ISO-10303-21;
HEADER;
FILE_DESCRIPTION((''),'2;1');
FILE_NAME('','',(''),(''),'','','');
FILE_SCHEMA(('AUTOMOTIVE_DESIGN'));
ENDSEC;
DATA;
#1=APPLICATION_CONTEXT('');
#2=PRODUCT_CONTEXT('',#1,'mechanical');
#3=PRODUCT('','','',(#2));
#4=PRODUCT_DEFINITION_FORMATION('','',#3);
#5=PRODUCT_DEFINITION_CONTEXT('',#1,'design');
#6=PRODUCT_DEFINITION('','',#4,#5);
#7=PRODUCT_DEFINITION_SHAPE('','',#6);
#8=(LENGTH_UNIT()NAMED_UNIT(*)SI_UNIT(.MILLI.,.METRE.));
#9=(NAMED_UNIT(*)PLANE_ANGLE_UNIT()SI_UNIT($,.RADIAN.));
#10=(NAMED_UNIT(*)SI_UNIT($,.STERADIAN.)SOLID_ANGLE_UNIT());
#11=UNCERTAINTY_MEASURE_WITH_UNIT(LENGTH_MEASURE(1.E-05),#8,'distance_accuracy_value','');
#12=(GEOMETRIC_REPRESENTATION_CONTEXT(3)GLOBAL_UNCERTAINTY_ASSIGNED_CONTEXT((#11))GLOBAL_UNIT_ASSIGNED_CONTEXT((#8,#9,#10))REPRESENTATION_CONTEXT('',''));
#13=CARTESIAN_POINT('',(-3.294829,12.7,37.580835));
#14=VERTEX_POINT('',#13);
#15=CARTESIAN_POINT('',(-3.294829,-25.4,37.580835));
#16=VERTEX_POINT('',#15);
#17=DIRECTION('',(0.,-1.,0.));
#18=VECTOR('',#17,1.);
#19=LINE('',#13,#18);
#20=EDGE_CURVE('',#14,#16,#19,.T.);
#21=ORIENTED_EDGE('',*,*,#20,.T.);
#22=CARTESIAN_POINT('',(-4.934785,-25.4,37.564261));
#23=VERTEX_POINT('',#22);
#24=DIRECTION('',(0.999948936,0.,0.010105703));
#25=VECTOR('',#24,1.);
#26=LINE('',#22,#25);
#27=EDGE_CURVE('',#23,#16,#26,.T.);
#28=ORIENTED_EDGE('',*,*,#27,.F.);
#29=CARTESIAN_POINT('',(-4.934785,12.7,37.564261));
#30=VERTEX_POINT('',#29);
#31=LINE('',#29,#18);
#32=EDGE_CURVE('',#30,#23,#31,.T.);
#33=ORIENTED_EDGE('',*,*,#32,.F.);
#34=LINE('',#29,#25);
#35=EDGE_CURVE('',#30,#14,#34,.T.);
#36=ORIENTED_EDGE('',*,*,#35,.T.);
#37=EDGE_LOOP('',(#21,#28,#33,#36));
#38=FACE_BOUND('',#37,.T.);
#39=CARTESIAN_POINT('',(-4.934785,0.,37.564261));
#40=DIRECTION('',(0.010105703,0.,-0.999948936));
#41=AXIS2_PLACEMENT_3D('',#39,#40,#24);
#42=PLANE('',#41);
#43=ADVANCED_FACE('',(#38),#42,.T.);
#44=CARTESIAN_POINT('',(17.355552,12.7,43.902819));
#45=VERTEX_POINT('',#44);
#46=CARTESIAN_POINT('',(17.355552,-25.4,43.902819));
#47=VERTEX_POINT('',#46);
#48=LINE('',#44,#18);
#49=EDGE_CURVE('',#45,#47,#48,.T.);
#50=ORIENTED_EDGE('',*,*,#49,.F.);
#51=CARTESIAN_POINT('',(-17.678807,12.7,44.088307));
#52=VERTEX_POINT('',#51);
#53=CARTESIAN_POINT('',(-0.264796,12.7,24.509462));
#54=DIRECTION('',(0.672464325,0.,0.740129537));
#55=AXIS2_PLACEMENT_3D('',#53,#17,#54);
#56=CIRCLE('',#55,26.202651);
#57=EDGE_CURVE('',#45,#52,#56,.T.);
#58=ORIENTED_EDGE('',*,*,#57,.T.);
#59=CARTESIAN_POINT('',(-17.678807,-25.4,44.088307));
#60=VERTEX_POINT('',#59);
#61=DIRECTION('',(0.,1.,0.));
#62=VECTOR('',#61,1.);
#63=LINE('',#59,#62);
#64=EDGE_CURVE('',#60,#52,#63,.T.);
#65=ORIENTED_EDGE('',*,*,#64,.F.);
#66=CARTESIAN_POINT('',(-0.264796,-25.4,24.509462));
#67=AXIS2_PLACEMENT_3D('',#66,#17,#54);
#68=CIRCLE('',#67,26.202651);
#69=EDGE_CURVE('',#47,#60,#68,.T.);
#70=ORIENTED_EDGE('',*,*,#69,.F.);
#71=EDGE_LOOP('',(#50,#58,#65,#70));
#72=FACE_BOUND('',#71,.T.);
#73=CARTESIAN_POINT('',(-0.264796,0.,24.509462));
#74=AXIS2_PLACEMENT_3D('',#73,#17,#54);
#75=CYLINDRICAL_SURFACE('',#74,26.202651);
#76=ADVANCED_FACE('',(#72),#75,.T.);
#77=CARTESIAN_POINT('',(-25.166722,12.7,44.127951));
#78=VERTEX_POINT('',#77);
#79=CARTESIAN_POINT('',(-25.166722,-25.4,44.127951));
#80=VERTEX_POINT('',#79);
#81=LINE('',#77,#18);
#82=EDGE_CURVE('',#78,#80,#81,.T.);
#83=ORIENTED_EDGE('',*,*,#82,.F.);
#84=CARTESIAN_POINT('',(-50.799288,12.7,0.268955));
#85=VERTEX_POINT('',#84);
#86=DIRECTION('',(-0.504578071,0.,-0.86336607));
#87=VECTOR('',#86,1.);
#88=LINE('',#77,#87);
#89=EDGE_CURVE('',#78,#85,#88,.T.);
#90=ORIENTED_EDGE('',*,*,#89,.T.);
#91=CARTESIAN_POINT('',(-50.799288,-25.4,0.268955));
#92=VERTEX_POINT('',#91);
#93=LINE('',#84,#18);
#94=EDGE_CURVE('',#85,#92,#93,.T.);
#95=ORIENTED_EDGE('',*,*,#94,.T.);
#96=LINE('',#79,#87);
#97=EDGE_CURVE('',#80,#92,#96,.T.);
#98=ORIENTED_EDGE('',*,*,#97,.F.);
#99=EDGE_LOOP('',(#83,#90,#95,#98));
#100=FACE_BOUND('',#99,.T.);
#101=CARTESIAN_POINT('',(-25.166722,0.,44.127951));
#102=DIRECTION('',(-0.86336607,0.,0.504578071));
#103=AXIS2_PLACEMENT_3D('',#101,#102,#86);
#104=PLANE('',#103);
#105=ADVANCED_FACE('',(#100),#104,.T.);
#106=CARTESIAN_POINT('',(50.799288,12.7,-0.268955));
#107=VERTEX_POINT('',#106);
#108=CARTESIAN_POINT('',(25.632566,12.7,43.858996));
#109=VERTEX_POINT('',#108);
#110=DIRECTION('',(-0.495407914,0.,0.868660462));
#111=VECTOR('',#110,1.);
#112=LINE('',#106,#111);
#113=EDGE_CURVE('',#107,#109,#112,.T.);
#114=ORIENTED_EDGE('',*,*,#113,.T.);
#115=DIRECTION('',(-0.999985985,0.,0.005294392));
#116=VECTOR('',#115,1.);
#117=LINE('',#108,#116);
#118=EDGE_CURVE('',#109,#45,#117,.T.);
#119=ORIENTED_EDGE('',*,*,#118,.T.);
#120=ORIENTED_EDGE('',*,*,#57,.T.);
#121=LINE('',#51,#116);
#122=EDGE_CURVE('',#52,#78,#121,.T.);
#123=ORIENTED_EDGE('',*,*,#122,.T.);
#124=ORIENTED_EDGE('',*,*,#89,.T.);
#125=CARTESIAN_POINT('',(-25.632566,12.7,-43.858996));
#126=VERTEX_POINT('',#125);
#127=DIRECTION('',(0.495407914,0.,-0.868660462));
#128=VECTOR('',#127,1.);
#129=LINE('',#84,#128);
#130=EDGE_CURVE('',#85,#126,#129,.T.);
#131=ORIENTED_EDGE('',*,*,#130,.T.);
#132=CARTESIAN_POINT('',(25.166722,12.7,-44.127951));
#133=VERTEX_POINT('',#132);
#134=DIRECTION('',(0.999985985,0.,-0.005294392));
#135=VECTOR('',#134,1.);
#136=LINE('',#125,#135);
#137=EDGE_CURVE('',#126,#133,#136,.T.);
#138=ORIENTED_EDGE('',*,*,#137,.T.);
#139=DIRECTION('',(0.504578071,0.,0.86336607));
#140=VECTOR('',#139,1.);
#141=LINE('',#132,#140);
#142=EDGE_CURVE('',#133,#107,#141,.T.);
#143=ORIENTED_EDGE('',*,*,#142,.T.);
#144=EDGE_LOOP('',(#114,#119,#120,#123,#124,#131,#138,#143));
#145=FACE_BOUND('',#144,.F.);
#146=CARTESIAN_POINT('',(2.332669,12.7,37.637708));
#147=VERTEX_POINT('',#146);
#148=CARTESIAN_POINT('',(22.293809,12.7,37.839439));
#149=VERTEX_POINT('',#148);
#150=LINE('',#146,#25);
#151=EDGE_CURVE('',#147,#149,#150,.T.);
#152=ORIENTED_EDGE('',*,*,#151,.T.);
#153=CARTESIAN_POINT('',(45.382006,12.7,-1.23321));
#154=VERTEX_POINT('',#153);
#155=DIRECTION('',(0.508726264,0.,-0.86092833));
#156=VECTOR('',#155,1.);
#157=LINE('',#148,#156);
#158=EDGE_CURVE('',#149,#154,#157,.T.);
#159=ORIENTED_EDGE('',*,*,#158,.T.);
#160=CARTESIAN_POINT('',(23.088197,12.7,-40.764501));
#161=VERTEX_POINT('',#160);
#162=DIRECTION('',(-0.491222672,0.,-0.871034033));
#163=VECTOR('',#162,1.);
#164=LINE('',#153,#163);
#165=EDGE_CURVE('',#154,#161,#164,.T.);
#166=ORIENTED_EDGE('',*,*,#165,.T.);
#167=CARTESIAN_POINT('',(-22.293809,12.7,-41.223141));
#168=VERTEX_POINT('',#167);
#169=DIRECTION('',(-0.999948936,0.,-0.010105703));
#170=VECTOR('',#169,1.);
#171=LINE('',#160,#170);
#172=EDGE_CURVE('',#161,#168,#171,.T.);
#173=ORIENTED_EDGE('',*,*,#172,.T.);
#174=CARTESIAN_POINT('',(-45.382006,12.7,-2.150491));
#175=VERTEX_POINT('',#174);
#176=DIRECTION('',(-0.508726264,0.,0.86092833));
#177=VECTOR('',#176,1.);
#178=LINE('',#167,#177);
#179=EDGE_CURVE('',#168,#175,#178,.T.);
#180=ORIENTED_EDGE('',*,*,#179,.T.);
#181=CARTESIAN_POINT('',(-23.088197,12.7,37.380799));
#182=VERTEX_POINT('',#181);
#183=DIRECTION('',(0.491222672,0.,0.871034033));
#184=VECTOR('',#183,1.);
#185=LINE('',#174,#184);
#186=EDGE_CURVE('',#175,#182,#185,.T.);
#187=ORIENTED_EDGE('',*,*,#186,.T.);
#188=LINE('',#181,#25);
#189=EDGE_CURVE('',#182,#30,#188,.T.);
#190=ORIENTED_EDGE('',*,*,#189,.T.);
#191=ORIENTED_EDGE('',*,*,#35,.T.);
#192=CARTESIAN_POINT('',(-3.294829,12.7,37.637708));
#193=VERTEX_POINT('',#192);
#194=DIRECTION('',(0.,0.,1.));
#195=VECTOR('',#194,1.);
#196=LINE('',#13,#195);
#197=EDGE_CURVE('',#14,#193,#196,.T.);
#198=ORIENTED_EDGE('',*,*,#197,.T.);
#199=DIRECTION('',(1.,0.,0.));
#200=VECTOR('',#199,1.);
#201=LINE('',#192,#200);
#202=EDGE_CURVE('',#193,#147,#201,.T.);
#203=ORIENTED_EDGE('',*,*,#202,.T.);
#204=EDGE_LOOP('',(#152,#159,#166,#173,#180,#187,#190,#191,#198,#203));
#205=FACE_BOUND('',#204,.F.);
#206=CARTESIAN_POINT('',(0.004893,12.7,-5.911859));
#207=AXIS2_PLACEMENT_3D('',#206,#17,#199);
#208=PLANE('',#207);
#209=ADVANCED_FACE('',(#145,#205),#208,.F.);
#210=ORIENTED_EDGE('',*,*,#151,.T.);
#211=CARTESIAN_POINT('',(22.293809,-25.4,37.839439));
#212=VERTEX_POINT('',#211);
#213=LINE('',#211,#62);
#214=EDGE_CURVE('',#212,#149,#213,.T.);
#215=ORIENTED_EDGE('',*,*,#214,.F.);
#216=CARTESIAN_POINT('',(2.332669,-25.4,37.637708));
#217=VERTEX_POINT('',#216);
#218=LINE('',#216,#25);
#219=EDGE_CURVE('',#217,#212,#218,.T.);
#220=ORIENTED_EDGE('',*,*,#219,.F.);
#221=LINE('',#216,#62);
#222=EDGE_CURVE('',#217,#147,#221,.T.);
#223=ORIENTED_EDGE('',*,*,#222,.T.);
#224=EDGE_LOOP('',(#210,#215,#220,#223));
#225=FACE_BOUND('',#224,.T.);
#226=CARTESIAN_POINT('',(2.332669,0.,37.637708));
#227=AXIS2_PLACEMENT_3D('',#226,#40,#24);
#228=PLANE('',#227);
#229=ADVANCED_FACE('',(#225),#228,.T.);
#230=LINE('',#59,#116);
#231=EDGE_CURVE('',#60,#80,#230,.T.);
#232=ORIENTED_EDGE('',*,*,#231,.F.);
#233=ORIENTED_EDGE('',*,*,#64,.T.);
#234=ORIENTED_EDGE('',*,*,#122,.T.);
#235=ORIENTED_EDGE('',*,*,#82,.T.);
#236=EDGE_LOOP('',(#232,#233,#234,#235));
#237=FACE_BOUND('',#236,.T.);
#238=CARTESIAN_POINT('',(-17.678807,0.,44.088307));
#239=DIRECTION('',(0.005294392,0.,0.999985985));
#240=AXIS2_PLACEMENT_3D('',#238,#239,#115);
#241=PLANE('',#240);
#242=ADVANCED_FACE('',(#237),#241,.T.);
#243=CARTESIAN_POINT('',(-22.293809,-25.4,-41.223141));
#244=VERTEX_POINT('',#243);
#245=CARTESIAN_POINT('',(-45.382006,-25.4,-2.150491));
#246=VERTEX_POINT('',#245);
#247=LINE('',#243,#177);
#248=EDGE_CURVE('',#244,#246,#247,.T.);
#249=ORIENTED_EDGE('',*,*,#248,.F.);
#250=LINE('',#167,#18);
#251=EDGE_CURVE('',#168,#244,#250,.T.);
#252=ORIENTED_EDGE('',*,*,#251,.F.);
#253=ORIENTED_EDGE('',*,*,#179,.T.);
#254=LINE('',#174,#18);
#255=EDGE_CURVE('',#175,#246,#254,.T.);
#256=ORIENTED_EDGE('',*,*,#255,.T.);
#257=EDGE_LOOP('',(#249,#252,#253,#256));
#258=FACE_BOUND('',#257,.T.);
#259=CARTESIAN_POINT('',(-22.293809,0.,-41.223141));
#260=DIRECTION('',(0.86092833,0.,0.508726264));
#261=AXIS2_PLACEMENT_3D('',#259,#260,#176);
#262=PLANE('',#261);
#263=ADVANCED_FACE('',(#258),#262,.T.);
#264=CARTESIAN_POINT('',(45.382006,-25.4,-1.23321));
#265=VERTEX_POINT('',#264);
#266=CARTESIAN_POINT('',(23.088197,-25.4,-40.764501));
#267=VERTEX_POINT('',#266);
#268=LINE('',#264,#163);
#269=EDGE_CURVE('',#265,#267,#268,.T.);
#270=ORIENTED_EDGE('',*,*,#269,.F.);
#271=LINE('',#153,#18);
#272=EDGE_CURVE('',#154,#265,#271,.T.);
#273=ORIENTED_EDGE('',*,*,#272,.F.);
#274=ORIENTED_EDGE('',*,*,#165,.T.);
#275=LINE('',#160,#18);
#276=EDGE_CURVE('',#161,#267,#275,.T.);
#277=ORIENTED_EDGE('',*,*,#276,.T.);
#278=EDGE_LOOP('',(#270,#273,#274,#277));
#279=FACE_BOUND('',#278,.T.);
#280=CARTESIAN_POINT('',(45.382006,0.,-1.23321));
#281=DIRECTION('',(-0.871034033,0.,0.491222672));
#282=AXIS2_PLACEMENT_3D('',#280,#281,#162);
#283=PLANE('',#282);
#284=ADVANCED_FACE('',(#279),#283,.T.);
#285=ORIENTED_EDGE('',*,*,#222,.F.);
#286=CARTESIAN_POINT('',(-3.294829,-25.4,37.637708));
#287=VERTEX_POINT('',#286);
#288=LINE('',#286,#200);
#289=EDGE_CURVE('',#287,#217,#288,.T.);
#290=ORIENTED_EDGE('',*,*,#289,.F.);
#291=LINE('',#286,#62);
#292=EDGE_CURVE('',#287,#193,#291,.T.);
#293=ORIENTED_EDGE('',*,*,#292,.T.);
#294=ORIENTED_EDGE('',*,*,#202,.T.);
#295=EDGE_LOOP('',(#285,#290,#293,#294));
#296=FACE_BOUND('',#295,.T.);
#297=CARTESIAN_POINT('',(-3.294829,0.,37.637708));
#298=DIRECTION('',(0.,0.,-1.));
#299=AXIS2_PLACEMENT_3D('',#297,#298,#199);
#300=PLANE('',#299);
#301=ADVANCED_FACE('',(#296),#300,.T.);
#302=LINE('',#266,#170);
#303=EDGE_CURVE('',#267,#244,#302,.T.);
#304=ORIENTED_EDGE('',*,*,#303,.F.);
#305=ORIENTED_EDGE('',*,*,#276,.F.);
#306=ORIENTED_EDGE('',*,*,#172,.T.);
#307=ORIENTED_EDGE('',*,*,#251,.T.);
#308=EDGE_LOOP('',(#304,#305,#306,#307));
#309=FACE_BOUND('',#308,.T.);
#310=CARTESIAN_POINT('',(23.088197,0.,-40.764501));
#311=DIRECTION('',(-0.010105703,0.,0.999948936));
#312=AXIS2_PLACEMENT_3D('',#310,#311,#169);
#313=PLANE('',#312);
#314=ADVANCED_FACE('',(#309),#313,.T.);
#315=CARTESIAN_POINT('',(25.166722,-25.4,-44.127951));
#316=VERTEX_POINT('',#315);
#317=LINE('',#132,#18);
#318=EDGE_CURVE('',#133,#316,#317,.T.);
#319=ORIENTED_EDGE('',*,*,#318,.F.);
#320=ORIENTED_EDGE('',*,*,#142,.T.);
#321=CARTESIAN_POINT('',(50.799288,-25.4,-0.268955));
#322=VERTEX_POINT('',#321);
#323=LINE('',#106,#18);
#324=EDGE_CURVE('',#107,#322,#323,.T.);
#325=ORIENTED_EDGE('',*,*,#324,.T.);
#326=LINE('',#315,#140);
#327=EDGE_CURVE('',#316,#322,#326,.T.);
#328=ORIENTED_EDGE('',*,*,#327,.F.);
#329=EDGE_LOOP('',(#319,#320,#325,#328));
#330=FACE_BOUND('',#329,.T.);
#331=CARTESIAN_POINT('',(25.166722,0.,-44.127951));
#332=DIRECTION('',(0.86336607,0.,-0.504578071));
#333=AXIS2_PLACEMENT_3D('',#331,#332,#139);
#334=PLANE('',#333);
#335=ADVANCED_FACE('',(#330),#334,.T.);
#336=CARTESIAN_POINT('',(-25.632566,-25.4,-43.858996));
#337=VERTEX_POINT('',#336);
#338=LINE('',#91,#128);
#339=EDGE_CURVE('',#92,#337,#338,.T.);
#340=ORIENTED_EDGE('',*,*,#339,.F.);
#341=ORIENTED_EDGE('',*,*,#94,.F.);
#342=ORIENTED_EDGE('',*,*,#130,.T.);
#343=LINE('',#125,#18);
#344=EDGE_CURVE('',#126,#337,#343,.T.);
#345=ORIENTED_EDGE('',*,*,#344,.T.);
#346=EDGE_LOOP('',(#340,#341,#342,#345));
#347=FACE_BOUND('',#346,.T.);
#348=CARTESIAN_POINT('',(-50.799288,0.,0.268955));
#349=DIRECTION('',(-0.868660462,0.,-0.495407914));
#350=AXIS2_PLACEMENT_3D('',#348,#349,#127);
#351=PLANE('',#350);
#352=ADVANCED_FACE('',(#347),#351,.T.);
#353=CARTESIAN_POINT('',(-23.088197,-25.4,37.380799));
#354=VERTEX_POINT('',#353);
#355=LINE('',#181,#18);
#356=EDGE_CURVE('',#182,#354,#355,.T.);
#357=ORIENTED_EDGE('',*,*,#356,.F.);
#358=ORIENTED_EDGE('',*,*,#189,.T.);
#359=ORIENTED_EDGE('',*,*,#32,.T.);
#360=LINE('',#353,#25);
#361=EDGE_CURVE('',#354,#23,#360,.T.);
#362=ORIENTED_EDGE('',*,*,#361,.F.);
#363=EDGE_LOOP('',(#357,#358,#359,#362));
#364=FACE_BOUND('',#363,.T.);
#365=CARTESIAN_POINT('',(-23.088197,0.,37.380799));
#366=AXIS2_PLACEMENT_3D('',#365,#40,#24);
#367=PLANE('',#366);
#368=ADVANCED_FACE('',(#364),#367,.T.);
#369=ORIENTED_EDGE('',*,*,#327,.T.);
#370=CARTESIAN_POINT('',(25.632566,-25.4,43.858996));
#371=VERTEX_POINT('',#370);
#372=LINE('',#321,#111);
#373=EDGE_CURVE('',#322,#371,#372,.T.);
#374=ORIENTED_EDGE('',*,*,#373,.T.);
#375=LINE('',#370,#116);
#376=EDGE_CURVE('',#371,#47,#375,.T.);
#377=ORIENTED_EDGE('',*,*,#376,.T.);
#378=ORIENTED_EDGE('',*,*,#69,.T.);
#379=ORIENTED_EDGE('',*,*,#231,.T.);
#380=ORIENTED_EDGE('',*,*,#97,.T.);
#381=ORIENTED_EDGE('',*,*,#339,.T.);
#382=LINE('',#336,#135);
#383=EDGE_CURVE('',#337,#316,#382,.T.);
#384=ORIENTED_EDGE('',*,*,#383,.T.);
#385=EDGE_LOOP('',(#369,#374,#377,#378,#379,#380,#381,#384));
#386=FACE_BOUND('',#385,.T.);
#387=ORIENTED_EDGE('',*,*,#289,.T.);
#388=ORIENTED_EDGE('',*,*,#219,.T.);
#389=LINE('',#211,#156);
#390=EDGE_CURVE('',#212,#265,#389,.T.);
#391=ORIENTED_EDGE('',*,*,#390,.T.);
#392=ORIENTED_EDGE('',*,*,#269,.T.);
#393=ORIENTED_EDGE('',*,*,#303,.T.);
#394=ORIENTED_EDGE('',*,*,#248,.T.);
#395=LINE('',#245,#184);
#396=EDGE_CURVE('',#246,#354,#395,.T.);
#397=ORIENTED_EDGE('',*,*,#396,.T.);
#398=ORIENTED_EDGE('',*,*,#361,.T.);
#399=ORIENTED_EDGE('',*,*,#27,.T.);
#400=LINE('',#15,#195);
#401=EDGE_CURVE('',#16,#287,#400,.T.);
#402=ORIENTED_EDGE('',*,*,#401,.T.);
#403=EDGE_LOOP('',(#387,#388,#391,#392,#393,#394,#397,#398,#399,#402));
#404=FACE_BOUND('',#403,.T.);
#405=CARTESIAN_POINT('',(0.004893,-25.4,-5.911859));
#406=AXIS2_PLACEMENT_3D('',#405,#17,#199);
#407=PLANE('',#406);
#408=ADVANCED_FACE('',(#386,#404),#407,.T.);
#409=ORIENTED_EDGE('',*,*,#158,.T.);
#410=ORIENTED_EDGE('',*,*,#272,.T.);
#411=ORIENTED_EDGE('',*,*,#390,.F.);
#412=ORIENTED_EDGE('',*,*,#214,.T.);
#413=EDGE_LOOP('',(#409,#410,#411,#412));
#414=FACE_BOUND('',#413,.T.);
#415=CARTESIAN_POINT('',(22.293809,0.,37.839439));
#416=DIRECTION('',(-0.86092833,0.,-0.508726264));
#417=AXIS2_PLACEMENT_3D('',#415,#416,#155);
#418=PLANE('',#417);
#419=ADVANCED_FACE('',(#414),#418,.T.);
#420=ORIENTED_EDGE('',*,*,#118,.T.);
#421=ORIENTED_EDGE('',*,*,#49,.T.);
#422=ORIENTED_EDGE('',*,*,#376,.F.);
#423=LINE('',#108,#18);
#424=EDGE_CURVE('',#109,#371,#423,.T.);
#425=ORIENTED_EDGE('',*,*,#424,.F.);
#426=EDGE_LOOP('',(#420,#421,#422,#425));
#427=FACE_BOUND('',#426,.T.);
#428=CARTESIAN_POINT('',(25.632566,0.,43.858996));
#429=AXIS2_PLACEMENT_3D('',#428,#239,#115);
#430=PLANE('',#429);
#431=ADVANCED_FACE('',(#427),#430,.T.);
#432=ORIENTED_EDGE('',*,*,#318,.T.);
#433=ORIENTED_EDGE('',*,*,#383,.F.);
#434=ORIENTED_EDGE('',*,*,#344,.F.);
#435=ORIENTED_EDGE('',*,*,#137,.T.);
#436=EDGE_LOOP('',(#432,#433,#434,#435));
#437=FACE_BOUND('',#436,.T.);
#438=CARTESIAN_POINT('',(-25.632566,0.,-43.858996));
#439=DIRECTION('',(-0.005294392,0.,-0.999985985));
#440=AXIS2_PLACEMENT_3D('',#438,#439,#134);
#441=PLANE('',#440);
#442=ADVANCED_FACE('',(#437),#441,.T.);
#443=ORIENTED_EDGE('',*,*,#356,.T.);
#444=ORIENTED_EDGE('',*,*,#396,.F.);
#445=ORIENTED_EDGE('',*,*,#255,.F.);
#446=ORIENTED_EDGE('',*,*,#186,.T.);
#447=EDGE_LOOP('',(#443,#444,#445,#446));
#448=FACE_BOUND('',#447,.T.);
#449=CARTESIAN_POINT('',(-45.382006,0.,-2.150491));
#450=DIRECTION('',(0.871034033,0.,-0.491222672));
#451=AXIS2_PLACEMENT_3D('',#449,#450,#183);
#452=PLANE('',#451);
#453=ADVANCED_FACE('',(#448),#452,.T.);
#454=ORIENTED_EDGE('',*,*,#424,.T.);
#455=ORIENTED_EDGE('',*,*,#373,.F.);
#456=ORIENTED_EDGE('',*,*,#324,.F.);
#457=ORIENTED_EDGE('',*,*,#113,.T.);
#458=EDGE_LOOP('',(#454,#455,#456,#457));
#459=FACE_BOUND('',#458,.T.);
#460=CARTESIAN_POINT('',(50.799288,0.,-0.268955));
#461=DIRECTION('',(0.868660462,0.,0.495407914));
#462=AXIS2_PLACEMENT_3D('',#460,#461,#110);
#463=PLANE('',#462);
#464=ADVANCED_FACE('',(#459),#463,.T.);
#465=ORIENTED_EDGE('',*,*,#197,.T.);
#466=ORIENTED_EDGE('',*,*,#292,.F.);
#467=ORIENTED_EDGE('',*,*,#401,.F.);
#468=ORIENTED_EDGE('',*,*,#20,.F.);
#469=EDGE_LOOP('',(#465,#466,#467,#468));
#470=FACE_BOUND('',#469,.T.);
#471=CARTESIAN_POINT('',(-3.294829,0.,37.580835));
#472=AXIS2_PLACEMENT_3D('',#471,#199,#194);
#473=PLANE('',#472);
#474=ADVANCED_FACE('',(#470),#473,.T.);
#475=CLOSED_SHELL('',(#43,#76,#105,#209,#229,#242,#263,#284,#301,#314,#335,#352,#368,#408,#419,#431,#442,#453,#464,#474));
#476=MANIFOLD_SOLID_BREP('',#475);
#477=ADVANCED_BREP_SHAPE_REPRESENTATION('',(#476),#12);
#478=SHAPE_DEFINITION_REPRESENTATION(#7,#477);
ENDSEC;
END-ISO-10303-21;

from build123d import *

# Parameters (mm, degrees)
F1_DEPTH = 25.4
F2_DEPTH = 12.7


with BuildPart() as f1:
    # F0 (on Front) → F1 (new body)
    with BuildSketch(Plane.XZ):
        with BuildLine():
            Line((22.2938086671, 37.8394394302), (45.3820059925, -1.2332103811))
            Line((45.3820059925, -1.2332103811), (23.0881973254, -40.7645006982))
            Line((23.0881973254, -40.7645006982), (-22.2938086671, -41.2231412039))
            Line((-22.2938086671, -41.2231412039), (-45.3820059925, -2.1504913925))
            Line((-45.3820059925, -2.1504913925), (-23.0881973254, 37.3807989246))
            ThreePointArc((-23.0881973254, 37.3807989246), (-20.6611195322, 40.9584422448), (-17.678807487, 44.0883069712))
            Line((-17.678807487, 44.0883069712), (-25.1667220305, 44.1279514847))
            Line((-25.1667220305, 44.1279514847), (-50.799288018, 0.2689551339))
            Line((-50.799288018, 0.2689551339), (-25.6325659875, -43.8589963508))
            Line((-25.6325659875, -43.8589963508), (25.1667220305, -44.1279514847))
            Line((25.1667220305, -44.1279514847), (50.799288018, -0.2689551339))
            Line((50.799288018, -0.2689551339), (25.6325659875, 43.8589963508))
            Line((25.6325659875, 43.8589963508), (17.3555520633, 43.9028187246))
            ThreePointArc((17.3555520633, 43.9028187246), (20.0521477329, 41.0563875242), (22.2938086671, 37.8394394302))
        make_face()
        with BuildLine():
            Line((2.332669028, 37.6377077752), (22.2938086671, 37.8394394302))
            ThreePointArc((22.2938086671, 37.8394394302), (20.0521477329, 41.0563875242), (17.3555520633, 43.9028187246))
            Line((17.3555520633, 43.9028187246), (-17.678807487, 44.0883069712))
            ThreePointArc((-17.678807487, 44.0883069712), (-20.6611195322, 40.9584422448), (-23.0881973254, 37.3807989246))
            Line((-23.0881973254, 37.3807989246), (-4.9347848203, 37.5642612927))
            Line((-4.9347848203, 37.5642612927), (-3.2948285582, 37.5808350504))
            Line((-3.2948285582, 37.5808350504), (-3.2948285582, 37.6377077752))
            Line((-3.2948285582, 37.6377077752), (2.332669028, 37.6377077752))
        make_face()
        with BuildLine():
            Line((-17.678807487, 44.0883069712), (17.3555520633, 43.9028187246))
            ThreePointArc((17.3555520633, 43.9028187246), (-0.126069101, 50.7117466352), (-17.678807487, 44.0883069712))
        make_face()
    extrude(amount=F1_DEPTH)

    # F0 (on Front) → F2 (join, symmetric)
    with BuildSketch(Plane.XZ):
        with BuildLine():
            Line((22.2938086671, 37.8394394302), (45.3820059925, -1.2332103811))
            Line((45.3820059925, -1.2332103811), (23.0881973254, -40.7645006982))
            Line((23.0881973254, -40.7645006982), (-22.2938086671, -41.2231412039))
            Line((-22.2938086671, -41.2231412039), (-45.3820059925, -2.1504913925))
            Line((-45.3820059925, -2.1504913925), (-23.0881973254, 37.3807989246))
            ThreePointArc((-23.0881973254, 37.3807989246), (-20.6611195322, 40.9584422448), (-17.678807487, 44.0883069712))
            Line((-17.678807487, 44.0883069712), (-25.1667220305, 44.1279514847))
            Line((-25.1667220305, 44.1279514847), (-50.799288018, 0.2689551339))
            Line((-50.799288018, 0.2689551339), (-25.6325659875, -43.8589963508))
            Line((-25.6325659875, -43.8589963508), (25.1667220305, -44.1279514847))
            Line((25.1667220305, -44.1279514847), (50.799288018, -0.2689551339))
            Line((50.799288018, -0.2689551339), (25.6325659875, 43.8589963508))
            Line((25.6325659875, 43.8589963508), (17.3555520633, 43.9028187246))
            ThreePointArc((17.3555520633, 43.9028187246), (20.0521477329, 41.0563875242), (22.2938086671, 37.8394394302))
        make_face()
        with BuildLine():
            Line((2.332669028, 37.6377077752), (22.2938086671, 37.8394394302))
            ThreePointArc((22.2938086671, 37.8394394302), (20.0521477329, 41.0563875242), (17.3555520633, 43.9028187246))
            Line((17.3555520633, 43.9028187246), (-17.678807487, 44.0883069712))
            ThreePointArc((-17.678807487, 44.0883069712), (-20.6611195322, 40.9584422448), (-23.0881973254, 37.3807989246))
            Line((-23.0881973254, 37.3807989246), (-4.9347848203, 37.5642612927))
            Line((-4.9347848203, 37.5642612927), (-3.2948285582, 37.5808350504))
            Line((-3.2948285582, 37.5808350504), (-3.2948285582, 37.6377077752))
            Line((-3.2948285582, 37.6377077752), (2.332669028, 37.6377077752))
        make_face()
        with BuildLine():
            Line((-17.678807487, 44.0883069712), (17.3555520633, 43.9028187246))
            ThreePointArc((17.3555520633, 43.9028187246), (-0.126069101, 50.7117466352), (-17.678807487, 44.0883069712))
        make_face()
    extrude(amount=F2_DEPTH, both=True)


solid = f1.part
